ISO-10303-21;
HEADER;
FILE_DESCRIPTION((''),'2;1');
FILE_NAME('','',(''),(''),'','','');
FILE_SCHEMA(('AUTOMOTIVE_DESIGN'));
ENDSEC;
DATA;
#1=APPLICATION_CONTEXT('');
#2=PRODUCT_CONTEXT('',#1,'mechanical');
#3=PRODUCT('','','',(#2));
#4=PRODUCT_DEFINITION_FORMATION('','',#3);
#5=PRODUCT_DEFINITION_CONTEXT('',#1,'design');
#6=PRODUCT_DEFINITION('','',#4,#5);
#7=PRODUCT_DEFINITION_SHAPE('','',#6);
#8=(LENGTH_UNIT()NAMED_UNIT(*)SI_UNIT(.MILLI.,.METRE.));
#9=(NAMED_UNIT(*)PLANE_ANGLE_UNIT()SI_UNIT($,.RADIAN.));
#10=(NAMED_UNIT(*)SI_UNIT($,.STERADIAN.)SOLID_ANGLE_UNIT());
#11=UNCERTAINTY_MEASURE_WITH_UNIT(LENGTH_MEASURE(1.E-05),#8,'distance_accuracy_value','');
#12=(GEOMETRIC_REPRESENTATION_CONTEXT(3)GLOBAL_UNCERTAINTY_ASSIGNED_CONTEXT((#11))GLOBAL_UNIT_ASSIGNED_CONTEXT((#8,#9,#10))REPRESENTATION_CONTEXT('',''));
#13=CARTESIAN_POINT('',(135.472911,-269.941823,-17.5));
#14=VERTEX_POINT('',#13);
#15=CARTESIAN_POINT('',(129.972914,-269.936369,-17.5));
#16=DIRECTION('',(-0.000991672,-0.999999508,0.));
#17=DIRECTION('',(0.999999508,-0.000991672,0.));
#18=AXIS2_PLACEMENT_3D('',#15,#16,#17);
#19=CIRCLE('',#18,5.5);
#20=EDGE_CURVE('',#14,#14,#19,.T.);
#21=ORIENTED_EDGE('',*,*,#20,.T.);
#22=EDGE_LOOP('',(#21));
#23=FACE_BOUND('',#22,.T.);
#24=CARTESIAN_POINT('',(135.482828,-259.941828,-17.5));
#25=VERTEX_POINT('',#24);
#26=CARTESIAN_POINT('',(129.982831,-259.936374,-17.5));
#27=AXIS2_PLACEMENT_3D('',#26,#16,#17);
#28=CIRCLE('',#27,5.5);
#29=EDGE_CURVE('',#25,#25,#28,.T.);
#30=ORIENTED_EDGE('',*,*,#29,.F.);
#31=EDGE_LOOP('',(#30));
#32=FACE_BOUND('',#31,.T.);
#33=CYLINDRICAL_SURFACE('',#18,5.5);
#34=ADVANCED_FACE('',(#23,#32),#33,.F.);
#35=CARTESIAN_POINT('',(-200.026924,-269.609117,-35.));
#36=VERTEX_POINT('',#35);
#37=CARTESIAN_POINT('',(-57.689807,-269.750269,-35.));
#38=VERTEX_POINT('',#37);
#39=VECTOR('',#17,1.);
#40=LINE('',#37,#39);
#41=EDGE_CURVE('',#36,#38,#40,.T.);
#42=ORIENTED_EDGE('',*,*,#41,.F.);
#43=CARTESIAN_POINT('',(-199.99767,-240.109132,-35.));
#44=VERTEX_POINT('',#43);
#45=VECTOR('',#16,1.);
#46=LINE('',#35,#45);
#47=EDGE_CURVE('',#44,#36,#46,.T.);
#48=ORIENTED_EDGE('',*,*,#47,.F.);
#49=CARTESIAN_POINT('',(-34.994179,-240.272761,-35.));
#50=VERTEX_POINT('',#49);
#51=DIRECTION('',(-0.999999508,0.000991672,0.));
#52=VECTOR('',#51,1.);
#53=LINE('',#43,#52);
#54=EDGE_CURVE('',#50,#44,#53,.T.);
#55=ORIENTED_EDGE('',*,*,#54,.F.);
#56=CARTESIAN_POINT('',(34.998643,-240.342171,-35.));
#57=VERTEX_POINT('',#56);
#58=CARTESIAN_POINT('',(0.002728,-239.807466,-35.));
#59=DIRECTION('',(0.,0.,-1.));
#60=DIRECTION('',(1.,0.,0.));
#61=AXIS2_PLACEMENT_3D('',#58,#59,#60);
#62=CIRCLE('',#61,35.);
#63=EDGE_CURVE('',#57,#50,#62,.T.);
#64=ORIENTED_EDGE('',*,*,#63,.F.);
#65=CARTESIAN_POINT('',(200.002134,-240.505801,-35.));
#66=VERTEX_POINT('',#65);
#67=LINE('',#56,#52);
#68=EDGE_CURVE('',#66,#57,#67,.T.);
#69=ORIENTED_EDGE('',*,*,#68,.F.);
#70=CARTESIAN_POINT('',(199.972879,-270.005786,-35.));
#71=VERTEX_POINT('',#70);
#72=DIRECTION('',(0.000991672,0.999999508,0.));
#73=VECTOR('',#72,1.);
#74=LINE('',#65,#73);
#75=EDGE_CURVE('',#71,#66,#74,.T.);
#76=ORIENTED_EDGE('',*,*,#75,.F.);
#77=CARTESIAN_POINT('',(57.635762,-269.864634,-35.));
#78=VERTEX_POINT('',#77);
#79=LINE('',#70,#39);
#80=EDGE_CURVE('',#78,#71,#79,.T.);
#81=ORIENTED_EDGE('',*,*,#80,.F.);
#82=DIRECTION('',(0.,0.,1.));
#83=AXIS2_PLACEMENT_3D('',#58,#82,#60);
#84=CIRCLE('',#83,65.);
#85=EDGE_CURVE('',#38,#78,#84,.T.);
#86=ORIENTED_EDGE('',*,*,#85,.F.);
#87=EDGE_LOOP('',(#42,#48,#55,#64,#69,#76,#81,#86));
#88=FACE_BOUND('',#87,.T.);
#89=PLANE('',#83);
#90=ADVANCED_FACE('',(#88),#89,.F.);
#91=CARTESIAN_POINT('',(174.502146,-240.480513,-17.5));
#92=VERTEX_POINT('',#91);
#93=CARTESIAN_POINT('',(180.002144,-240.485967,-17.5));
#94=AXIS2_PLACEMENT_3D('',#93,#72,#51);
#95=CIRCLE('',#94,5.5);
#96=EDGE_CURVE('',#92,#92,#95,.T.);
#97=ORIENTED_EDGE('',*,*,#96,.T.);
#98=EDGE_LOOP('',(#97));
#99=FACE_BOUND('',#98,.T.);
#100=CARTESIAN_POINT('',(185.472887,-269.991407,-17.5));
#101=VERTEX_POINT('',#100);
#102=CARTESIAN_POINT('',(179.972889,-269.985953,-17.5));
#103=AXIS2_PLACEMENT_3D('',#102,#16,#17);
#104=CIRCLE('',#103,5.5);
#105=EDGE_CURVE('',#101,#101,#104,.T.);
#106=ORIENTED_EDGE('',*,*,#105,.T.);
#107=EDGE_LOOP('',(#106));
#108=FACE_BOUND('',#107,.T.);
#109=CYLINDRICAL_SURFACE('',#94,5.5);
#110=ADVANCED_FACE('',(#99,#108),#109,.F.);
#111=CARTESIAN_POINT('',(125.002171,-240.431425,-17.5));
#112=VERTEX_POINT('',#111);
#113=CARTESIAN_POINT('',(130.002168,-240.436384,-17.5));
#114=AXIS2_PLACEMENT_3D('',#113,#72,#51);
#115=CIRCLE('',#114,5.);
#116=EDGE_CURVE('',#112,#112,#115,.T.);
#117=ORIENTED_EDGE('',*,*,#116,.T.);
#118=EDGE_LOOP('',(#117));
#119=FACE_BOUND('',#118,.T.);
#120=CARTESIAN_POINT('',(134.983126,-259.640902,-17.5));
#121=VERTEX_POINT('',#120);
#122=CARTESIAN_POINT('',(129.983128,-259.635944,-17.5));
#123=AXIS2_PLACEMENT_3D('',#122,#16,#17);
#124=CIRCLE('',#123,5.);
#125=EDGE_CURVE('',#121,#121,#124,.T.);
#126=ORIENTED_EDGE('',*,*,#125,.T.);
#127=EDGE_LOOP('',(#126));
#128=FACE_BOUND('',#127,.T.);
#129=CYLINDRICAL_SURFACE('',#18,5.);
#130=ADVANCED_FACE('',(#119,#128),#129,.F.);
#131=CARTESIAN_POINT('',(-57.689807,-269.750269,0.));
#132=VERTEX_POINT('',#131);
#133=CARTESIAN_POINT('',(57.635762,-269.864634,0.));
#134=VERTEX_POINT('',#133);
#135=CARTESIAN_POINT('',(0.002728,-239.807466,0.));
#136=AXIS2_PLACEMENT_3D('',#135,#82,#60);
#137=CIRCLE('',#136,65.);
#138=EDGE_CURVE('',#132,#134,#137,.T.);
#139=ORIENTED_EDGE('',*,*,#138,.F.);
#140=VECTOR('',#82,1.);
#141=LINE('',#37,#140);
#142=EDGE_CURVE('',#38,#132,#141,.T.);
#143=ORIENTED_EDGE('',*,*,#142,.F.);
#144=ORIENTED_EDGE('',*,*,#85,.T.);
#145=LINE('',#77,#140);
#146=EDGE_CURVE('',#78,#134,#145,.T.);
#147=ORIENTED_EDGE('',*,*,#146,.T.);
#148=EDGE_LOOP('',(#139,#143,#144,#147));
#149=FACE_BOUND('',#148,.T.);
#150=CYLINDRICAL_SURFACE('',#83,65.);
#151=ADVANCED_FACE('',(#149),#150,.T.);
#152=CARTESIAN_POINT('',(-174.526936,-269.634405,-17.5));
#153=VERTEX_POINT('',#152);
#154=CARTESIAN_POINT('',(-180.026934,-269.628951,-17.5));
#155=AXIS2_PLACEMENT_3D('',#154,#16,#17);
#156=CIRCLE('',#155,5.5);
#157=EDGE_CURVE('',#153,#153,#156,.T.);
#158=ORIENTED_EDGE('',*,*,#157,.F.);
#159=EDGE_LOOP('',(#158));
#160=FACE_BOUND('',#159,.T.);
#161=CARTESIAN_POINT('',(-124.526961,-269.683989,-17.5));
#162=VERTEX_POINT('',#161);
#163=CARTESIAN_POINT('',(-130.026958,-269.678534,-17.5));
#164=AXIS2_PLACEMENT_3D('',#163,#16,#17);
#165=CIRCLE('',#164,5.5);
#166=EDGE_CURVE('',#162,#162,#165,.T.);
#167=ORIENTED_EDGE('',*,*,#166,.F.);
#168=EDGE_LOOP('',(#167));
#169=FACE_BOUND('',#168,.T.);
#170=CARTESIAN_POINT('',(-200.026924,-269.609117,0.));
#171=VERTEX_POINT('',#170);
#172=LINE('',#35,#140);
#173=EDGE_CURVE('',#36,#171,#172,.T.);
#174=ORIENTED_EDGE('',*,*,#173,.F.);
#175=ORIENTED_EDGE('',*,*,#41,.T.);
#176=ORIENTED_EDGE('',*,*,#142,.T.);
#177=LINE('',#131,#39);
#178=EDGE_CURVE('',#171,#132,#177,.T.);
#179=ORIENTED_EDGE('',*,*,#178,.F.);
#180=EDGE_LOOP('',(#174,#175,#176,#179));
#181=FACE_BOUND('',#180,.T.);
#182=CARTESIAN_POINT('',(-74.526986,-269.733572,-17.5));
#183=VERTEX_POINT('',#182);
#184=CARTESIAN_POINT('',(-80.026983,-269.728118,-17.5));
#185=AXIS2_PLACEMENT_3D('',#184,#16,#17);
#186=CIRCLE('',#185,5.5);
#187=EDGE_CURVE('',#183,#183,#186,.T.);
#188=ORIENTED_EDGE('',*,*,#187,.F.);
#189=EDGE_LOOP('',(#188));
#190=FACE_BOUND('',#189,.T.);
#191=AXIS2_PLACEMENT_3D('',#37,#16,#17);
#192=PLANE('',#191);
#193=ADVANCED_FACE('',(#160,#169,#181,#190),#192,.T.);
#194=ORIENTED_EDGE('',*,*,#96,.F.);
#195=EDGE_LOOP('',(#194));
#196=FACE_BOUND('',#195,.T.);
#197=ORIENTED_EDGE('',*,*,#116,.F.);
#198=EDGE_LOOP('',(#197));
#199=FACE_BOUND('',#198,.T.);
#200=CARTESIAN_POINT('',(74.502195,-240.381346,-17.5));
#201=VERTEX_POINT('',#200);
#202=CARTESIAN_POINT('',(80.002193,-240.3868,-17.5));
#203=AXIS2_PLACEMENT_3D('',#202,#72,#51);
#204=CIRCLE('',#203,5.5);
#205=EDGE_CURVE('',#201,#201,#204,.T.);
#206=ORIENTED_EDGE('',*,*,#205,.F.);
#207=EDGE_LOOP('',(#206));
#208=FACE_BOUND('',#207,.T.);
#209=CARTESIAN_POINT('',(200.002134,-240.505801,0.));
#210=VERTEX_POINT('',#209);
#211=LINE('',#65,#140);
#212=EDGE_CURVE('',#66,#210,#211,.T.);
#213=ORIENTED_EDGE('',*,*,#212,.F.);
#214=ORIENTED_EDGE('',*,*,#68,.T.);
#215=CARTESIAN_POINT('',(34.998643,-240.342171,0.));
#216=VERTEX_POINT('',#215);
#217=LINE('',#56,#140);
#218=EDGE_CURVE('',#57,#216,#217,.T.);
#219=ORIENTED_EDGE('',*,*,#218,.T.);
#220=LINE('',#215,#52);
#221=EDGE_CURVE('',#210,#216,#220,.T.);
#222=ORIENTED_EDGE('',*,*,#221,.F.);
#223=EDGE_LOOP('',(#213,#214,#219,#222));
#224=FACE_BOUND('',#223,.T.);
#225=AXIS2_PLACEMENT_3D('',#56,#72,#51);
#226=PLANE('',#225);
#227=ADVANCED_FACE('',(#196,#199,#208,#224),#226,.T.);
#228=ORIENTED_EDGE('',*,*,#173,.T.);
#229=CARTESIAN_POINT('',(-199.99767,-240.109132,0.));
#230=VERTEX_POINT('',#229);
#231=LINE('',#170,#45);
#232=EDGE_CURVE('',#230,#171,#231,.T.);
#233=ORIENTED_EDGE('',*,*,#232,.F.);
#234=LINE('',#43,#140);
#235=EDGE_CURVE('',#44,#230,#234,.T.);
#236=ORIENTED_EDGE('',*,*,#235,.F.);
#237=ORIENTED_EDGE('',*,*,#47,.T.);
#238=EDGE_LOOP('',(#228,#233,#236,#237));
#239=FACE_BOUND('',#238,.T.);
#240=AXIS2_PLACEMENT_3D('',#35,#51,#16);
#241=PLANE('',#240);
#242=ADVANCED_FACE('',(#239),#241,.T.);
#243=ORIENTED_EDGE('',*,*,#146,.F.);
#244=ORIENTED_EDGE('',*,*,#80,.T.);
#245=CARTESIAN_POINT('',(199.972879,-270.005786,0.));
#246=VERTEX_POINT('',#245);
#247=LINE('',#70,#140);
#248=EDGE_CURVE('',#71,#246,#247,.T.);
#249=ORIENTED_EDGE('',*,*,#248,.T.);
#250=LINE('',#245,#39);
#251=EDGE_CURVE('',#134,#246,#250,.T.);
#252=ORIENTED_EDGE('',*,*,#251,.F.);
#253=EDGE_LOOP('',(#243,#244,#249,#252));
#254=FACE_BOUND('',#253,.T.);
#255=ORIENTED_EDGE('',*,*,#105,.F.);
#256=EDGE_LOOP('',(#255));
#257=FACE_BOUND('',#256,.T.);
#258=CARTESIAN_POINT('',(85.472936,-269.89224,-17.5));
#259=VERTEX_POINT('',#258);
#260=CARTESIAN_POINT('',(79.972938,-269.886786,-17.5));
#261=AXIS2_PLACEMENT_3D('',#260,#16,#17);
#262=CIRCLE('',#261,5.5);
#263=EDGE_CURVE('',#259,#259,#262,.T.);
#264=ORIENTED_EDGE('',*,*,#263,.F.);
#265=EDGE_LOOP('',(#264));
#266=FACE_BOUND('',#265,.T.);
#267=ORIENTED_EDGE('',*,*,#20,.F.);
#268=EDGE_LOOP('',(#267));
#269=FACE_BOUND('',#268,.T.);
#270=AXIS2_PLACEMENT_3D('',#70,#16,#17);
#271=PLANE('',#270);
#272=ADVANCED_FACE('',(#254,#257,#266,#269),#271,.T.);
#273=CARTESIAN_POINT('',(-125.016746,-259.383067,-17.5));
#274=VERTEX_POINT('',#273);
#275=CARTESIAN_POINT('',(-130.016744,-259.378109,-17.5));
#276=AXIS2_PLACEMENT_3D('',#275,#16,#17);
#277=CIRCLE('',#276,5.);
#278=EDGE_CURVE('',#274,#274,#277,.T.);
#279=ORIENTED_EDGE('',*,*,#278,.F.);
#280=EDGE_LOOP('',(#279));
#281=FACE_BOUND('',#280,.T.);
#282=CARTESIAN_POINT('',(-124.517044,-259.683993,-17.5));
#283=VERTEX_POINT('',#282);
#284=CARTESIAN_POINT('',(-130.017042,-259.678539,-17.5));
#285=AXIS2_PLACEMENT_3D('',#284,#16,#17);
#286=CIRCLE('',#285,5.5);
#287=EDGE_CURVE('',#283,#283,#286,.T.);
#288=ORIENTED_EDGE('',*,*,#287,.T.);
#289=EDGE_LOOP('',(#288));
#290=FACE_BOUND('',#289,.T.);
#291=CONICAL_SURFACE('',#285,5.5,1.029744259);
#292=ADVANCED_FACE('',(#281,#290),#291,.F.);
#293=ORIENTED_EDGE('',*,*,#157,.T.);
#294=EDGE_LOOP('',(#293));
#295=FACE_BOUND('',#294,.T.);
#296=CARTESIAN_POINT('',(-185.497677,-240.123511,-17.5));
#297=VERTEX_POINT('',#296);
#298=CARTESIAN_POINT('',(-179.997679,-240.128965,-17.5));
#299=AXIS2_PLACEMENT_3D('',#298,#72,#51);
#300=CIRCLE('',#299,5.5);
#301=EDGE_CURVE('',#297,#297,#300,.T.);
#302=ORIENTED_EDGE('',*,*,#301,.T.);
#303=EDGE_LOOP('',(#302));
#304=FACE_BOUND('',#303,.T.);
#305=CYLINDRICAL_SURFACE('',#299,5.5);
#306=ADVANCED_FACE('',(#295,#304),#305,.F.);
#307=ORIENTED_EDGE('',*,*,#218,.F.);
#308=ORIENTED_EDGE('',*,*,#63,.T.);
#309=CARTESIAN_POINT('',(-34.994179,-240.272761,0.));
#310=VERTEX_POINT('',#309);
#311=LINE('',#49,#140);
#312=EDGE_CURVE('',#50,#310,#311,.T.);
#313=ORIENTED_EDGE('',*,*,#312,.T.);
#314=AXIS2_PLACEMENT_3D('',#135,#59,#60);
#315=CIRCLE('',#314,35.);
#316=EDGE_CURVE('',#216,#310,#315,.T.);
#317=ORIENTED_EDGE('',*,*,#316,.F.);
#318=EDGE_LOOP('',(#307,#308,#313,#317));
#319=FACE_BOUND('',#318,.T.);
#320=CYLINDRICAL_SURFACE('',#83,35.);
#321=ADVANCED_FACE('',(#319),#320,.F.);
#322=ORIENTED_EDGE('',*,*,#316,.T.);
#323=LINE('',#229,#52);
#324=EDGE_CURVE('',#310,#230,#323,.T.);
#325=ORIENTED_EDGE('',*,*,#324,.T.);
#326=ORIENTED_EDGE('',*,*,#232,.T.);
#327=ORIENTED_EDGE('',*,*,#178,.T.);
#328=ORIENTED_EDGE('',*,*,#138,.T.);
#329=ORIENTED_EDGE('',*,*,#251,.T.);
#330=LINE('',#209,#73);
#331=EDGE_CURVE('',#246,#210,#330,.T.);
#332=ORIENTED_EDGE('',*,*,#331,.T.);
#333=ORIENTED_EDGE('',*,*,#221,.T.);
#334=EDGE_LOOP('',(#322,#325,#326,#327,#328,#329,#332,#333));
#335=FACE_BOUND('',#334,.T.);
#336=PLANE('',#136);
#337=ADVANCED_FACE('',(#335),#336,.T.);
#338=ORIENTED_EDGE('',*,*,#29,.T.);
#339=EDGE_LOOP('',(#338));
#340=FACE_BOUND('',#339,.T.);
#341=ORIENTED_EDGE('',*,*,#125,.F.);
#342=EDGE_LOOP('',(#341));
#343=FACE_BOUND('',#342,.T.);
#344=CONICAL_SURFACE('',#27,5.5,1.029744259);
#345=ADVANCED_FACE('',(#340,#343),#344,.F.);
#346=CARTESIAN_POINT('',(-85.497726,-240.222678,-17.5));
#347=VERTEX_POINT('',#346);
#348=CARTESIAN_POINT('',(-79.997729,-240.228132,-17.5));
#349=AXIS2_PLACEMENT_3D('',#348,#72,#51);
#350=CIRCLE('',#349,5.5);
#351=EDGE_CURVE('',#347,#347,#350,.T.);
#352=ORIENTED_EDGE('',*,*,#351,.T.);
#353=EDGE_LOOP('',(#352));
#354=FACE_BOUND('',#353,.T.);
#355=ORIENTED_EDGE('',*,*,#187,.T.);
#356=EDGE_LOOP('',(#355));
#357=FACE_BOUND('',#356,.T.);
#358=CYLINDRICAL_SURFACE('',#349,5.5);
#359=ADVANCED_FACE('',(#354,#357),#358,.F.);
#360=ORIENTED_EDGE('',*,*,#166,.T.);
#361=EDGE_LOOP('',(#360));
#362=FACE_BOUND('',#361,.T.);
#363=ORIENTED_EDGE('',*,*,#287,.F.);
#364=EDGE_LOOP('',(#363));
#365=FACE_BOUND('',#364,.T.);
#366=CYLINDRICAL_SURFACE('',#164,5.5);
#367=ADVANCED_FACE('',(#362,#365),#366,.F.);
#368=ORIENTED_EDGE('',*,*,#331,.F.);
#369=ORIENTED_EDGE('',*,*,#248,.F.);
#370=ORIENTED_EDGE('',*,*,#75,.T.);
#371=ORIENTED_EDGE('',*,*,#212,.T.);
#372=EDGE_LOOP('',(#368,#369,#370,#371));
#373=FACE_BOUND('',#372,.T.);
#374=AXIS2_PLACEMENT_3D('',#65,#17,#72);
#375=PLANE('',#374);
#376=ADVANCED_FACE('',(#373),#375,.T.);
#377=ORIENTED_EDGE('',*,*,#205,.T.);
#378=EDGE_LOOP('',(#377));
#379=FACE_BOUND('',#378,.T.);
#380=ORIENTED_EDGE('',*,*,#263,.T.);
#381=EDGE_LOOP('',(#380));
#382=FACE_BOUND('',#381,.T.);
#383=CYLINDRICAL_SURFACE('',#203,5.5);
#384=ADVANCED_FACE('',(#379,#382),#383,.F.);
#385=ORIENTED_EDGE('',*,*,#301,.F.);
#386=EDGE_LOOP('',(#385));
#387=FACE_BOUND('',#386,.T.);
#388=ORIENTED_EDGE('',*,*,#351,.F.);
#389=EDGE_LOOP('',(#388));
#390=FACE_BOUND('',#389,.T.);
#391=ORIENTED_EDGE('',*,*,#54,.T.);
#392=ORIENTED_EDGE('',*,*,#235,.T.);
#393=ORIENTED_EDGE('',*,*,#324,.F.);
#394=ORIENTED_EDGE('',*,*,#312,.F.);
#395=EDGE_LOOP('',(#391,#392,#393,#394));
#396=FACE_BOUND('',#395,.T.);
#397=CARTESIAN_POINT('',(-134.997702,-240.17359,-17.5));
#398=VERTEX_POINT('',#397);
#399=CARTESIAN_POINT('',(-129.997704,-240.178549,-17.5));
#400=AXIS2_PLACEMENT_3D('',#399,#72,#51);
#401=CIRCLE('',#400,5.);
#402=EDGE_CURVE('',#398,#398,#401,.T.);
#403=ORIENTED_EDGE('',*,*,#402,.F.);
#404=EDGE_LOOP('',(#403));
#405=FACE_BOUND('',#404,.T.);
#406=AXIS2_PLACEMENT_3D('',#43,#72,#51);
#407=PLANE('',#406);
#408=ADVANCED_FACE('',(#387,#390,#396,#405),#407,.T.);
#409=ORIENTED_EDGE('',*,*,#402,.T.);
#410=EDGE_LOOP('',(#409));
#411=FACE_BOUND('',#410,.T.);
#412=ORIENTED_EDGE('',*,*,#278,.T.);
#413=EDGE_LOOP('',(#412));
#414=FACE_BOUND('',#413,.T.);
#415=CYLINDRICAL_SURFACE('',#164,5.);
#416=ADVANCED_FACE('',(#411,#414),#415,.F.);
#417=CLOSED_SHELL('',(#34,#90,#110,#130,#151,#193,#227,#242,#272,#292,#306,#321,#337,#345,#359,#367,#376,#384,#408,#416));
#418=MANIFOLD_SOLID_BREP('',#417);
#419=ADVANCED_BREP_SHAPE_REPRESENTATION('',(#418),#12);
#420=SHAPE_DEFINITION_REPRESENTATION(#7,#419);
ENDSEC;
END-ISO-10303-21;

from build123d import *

# Parameters (mm, degrees)
RESSALTO_EXTRUS_O1_DEPTH         = 35
FURO_DE_DI_METRO_11_0_11_1_D     = 11
FUROS_GUIA_COM_10_0MM1_D         = 10
FURO_DE_DI_METRO_11_0_11_2_D     = 11
FURO_DE_DI_METRO_11_0_11_2_DEPTH = 10
FURO_DE_DI_METRO_11_0_11_2_TIP   = 3.304733405


with BuildPart() as part:
    # Esboço1 → Ressalto-extrusão1 (new body)
    with BuildSketch(Plane.XY):
        with BuildLine():
            Line((-199.997669575, -240.109131808), (-34.994179097, -240.27276126))
            ThreePointArc((-34.994179097, -240.27276126), (-0.031980607, -274.807449281), (34.998643265, -240.34217123))
            Line((34.998643265, -240.34217123), (200.002133743, -240.505800682))
            Line((200.002133743, -240.505800682), (199.972879413, -270.005786177))
            Line((199.972879413, -270.005786177), (57.635762375, -269.864634348))
            ThreePointArc((57.635762375, -269.864634348), (-0.061730772, -304.80743453), (-57.689806866, -269.750269132))
            Line((-57.689806866, -269.750269132), (-200.026923904, -269.609117302))
            Line((-200.026923904, -269.609117302), (-199.997669575, -240.109131808))
        make_face()
    extrude(amount=-RESSALTO_EXTRUS_O1_DEPTH)

    # Furo de diâmetro Ø11.0 (11)1 (through all)
    with Locations(Plane(origin=(-0.238306111, -240.30722771, 0), x_dir=(0.9999995082930158, -0.000991672187112085, 0), z_dir=(0.000991672187112085, 0.9999995082930158, 0))):
        with Locations((-179.759461687, 17.5), (-79.759461687, 17.5), (80.240538313, 17.5), (180.240538313, 17.5)):
            Hole(FURO_DE_DI_METRO_11_0_11_1_D / 2)

    # Furos-guia com Ø10.0mm1 (through all)
    with Locations(Plane(origin=(-0.267560441, -269.807213205, 0), x_dir=(-0.9999995082930158, 0.0009916721871120312, 0), z_dir=(-0.0009916721871120312, -0.9999995082930158, 0))):
        with Locations((129.759461687, 17.5), (-130.240538313, 17.5), (-221.181262437, -155.418379851)):
            Hole(FUROS_GUIA_COM_10_0MM1_D / 2)

    # Furo de diâmetro Ø11.0 (11)2
    with Locations(Plane(origin=(-0.267560441, -269.807213205, 0), x_dir=(-0.9999995082930158, 0.0009916721871120312, 0), z_dir=(-0.0009916721871120312, -0.9999995082930158, 0))):
        with Locations((129.759461687, 17.5), (-130.240538313, 17.5)):
            Hole(FURO_DE_DI_METRO_11_0_11_2_D / 2, depth=FURO_DE_DI_METRO_11_0_11_2_DEPTH)
            with Locations((0, 0, -(FURO_DE_DI_METRO_11_0_11_2_DEPTH + FURO_DE_DI_METRO_11_0_11_2_TIP / 2))):  # 118° drill point
                Cone(0, FURO_DE_DI_METRO_11_0_11_2_D / 2, FURO_DE_DI_METRO_11_0_11_2_TIP, mode=Mode.SUBTRACT)


solid = part.part
